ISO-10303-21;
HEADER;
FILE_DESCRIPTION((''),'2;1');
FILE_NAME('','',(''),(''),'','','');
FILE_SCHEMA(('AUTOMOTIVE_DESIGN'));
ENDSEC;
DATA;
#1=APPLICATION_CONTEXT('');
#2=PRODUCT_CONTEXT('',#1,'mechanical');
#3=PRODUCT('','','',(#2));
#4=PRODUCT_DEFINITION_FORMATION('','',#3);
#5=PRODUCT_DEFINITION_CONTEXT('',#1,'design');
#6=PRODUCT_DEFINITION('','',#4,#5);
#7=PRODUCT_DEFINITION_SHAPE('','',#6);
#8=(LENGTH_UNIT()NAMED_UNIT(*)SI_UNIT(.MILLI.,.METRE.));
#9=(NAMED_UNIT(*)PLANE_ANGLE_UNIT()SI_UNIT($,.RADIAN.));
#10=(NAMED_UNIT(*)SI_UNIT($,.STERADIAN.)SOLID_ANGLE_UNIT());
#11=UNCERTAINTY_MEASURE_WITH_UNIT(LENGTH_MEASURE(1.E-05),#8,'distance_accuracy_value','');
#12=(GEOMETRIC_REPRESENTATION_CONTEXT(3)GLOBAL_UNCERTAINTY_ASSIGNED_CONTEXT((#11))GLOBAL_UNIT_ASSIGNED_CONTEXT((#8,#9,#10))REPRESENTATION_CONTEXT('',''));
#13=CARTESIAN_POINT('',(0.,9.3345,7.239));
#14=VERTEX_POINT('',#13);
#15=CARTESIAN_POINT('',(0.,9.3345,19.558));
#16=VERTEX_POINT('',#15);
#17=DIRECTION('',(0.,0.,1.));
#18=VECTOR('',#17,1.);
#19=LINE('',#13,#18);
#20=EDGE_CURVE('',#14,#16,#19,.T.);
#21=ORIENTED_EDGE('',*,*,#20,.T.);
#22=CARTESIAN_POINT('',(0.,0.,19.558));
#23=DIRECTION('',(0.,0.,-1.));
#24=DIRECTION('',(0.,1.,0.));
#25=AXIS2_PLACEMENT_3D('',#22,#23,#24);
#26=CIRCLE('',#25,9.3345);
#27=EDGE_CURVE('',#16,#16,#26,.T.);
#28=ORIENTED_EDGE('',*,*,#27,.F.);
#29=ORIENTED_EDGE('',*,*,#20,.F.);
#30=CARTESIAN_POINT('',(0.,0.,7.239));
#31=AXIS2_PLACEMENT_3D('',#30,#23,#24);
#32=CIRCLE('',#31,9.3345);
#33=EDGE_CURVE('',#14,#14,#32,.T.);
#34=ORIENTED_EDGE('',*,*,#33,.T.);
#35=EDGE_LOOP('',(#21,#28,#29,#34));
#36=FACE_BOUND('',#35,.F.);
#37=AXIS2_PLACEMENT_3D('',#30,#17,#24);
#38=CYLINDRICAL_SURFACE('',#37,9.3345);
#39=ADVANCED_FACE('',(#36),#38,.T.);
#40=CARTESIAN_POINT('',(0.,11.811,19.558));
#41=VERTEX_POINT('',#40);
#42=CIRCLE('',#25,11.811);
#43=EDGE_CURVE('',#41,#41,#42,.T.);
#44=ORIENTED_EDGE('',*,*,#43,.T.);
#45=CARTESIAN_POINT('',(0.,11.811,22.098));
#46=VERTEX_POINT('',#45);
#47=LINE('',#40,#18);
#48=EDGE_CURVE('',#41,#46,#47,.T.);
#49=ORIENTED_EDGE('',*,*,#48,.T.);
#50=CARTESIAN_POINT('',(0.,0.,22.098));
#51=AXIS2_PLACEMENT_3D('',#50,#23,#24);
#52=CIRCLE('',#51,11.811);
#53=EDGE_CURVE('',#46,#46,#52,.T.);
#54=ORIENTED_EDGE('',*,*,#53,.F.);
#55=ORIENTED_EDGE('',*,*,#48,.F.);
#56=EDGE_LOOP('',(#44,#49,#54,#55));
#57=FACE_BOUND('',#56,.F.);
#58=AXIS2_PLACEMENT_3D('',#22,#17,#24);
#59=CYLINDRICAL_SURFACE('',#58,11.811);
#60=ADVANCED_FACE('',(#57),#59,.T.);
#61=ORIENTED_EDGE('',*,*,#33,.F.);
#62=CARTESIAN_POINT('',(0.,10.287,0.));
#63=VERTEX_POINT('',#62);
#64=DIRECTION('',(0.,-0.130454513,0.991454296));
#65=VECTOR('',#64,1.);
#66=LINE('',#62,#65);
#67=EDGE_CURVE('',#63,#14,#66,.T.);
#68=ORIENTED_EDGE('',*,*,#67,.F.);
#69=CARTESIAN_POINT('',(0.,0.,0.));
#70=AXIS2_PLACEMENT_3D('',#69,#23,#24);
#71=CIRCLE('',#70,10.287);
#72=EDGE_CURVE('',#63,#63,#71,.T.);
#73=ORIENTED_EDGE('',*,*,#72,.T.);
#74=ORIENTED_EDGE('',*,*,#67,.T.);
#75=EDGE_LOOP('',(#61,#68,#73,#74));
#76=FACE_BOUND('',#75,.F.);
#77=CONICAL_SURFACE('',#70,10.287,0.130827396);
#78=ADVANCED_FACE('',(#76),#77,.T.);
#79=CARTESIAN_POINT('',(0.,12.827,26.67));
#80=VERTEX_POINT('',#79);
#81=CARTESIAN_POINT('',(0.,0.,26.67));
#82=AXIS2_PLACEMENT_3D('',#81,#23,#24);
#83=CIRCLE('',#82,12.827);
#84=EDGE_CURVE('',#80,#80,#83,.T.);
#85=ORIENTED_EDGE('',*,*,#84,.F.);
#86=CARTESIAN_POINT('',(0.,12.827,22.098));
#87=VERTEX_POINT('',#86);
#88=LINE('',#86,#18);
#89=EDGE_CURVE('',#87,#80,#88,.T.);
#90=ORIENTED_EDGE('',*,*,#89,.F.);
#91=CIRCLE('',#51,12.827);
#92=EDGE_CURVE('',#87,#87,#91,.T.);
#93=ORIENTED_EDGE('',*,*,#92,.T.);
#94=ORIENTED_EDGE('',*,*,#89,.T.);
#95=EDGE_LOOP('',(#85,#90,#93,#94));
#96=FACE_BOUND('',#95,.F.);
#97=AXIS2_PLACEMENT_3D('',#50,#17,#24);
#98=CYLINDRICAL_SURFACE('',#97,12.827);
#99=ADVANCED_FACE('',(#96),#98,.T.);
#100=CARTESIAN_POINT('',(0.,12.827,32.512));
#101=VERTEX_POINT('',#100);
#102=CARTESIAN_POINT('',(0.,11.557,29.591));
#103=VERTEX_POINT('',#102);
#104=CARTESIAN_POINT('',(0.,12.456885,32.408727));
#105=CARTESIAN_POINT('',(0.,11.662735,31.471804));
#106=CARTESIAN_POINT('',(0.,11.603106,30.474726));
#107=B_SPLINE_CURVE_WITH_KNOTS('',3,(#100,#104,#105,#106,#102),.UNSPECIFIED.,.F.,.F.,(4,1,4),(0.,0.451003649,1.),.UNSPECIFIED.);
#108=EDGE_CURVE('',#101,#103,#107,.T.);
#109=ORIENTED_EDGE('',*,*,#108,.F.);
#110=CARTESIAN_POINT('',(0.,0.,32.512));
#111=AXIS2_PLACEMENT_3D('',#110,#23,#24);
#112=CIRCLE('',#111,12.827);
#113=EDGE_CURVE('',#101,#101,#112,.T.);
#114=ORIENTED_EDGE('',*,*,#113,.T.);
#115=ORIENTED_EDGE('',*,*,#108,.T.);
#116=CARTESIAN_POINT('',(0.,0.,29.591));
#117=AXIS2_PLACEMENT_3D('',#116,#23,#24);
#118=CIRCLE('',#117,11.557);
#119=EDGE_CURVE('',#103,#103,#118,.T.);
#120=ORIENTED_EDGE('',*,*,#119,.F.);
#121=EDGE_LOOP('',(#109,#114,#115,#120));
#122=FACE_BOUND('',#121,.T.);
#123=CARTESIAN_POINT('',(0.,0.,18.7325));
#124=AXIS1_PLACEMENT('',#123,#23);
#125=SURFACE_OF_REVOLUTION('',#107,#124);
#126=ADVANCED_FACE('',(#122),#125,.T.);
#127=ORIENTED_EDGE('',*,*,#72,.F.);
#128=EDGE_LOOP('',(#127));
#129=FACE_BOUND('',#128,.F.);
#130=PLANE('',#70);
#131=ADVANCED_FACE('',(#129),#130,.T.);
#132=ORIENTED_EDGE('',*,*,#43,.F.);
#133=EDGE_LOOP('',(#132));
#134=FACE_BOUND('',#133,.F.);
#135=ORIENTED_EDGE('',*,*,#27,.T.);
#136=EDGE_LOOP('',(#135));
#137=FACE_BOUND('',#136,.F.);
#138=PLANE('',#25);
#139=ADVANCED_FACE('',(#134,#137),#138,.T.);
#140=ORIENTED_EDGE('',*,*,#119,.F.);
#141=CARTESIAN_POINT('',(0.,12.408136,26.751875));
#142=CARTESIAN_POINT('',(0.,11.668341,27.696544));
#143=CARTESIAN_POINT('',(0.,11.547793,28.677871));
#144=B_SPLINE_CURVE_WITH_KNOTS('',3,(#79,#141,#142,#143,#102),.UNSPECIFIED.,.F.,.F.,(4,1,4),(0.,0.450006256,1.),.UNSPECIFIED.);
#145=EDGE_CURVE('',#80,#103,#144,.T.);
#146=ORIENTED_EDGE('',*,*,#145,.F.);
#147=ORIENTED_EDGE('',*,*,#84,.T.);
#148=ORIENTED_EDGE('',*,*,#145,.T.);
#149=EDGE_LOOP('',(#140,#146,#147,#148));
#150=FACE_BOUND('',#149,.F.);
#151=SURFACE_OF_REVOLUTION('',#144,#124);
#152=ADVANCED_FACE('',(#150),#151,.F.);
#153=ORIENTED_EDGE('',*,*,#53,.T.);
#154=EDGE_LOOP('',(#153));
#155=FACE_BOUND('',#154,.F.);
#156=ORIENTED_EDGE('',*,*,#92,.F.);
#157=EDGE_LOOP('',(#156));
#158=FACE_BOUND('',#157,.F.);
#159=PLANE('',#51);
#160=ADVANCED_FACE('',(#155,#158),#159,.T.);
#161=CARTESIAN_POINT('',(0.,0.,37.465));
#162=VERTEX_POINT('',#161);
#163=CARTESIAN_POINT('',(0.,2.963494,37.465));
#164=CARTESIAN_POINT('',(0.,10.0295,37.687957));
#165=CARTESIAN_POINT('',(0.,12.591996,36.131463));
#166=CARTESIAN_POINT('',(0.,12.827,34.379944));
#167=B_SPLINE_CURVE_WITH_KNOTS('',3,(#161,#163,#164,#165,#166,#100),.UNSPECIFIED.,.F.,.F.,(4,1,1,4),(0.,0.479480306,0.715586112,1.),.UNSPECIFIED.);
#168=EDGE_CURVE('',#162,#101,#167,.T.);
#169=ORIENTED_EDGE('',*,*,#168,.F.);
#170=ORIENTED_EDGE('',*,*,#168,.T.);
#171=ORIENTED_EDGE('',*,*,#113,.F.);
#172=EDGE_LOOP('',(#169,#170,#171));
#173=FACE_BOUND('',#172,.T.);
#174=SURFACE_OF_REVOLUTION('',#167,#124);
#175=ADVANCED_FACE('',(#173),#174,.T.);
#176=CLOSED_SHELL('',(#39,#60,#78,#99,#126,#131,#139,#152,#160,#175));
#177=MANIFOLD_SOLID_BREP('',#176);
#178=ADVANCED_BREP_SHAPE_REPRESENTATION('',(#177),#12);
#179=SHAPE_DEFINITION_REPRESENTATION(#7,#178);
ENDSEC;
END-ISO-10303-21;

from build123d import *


with BuildPart() as f1:
    # F0 (on Right) → F1 (revolve)
    with BuildSketch(Plane.YZ):
        with BuildLine():
            Line((0, 37.465), (0, 0))
            Line((0, 0), (10.287, 0))
            Line((10.287, 0), (9.3345, 7.239))
            Line((9.3345, 7.239), (9.3345, 19.558))
            Line((9.3345, 19.558), (11.811, 19.558))
            Line((11.811, 19.558), (11.811, 22.098))
            Line((11.811, 22.098), (12.827, 22.098))
            Line((12.827, 22.098), (12.827, 26.67))
            add(Edge.make_bspline(
                [(12.827, 26.67), (12.4081355943, 26.7518746483), (11.668341413, 27.6965440026), (11.5477926188, 28.6778707178), (11.557, 29.591)],
                knots=[0, 0, 0, 0, 0.4500062565, 1, 1, 1, 1], degree=3))
            add(Edge.make_bspline(
                [(12.827, 32.512), (12.4568852809, 32.4087269434), (11.6627350099, 31.4718039327), (11.603105506, 30.474725655), (11.557, 29.591)],
                knots=[0, 0, 0, 0, 0.4510036491, 1, 1, 1, 1], degree=3))
            add(Edge.make_bspline(
                [(0, 37.465), (2.9634942766, 37.465), (10.0295003068, 37.6879569755), (12.5919958228, 36.131462946), (12.827, 34.3799444409), (12.827, 32.512)],
                knots=[0, 0, 0, 0, 0.4794803062, 0.715586112, 1, 1, 1, 1], degree=3))
        make_face()
    revolve(axis=Axis((0, 0, 18.7325), (0, 0, -1)))


solid = f1.part
